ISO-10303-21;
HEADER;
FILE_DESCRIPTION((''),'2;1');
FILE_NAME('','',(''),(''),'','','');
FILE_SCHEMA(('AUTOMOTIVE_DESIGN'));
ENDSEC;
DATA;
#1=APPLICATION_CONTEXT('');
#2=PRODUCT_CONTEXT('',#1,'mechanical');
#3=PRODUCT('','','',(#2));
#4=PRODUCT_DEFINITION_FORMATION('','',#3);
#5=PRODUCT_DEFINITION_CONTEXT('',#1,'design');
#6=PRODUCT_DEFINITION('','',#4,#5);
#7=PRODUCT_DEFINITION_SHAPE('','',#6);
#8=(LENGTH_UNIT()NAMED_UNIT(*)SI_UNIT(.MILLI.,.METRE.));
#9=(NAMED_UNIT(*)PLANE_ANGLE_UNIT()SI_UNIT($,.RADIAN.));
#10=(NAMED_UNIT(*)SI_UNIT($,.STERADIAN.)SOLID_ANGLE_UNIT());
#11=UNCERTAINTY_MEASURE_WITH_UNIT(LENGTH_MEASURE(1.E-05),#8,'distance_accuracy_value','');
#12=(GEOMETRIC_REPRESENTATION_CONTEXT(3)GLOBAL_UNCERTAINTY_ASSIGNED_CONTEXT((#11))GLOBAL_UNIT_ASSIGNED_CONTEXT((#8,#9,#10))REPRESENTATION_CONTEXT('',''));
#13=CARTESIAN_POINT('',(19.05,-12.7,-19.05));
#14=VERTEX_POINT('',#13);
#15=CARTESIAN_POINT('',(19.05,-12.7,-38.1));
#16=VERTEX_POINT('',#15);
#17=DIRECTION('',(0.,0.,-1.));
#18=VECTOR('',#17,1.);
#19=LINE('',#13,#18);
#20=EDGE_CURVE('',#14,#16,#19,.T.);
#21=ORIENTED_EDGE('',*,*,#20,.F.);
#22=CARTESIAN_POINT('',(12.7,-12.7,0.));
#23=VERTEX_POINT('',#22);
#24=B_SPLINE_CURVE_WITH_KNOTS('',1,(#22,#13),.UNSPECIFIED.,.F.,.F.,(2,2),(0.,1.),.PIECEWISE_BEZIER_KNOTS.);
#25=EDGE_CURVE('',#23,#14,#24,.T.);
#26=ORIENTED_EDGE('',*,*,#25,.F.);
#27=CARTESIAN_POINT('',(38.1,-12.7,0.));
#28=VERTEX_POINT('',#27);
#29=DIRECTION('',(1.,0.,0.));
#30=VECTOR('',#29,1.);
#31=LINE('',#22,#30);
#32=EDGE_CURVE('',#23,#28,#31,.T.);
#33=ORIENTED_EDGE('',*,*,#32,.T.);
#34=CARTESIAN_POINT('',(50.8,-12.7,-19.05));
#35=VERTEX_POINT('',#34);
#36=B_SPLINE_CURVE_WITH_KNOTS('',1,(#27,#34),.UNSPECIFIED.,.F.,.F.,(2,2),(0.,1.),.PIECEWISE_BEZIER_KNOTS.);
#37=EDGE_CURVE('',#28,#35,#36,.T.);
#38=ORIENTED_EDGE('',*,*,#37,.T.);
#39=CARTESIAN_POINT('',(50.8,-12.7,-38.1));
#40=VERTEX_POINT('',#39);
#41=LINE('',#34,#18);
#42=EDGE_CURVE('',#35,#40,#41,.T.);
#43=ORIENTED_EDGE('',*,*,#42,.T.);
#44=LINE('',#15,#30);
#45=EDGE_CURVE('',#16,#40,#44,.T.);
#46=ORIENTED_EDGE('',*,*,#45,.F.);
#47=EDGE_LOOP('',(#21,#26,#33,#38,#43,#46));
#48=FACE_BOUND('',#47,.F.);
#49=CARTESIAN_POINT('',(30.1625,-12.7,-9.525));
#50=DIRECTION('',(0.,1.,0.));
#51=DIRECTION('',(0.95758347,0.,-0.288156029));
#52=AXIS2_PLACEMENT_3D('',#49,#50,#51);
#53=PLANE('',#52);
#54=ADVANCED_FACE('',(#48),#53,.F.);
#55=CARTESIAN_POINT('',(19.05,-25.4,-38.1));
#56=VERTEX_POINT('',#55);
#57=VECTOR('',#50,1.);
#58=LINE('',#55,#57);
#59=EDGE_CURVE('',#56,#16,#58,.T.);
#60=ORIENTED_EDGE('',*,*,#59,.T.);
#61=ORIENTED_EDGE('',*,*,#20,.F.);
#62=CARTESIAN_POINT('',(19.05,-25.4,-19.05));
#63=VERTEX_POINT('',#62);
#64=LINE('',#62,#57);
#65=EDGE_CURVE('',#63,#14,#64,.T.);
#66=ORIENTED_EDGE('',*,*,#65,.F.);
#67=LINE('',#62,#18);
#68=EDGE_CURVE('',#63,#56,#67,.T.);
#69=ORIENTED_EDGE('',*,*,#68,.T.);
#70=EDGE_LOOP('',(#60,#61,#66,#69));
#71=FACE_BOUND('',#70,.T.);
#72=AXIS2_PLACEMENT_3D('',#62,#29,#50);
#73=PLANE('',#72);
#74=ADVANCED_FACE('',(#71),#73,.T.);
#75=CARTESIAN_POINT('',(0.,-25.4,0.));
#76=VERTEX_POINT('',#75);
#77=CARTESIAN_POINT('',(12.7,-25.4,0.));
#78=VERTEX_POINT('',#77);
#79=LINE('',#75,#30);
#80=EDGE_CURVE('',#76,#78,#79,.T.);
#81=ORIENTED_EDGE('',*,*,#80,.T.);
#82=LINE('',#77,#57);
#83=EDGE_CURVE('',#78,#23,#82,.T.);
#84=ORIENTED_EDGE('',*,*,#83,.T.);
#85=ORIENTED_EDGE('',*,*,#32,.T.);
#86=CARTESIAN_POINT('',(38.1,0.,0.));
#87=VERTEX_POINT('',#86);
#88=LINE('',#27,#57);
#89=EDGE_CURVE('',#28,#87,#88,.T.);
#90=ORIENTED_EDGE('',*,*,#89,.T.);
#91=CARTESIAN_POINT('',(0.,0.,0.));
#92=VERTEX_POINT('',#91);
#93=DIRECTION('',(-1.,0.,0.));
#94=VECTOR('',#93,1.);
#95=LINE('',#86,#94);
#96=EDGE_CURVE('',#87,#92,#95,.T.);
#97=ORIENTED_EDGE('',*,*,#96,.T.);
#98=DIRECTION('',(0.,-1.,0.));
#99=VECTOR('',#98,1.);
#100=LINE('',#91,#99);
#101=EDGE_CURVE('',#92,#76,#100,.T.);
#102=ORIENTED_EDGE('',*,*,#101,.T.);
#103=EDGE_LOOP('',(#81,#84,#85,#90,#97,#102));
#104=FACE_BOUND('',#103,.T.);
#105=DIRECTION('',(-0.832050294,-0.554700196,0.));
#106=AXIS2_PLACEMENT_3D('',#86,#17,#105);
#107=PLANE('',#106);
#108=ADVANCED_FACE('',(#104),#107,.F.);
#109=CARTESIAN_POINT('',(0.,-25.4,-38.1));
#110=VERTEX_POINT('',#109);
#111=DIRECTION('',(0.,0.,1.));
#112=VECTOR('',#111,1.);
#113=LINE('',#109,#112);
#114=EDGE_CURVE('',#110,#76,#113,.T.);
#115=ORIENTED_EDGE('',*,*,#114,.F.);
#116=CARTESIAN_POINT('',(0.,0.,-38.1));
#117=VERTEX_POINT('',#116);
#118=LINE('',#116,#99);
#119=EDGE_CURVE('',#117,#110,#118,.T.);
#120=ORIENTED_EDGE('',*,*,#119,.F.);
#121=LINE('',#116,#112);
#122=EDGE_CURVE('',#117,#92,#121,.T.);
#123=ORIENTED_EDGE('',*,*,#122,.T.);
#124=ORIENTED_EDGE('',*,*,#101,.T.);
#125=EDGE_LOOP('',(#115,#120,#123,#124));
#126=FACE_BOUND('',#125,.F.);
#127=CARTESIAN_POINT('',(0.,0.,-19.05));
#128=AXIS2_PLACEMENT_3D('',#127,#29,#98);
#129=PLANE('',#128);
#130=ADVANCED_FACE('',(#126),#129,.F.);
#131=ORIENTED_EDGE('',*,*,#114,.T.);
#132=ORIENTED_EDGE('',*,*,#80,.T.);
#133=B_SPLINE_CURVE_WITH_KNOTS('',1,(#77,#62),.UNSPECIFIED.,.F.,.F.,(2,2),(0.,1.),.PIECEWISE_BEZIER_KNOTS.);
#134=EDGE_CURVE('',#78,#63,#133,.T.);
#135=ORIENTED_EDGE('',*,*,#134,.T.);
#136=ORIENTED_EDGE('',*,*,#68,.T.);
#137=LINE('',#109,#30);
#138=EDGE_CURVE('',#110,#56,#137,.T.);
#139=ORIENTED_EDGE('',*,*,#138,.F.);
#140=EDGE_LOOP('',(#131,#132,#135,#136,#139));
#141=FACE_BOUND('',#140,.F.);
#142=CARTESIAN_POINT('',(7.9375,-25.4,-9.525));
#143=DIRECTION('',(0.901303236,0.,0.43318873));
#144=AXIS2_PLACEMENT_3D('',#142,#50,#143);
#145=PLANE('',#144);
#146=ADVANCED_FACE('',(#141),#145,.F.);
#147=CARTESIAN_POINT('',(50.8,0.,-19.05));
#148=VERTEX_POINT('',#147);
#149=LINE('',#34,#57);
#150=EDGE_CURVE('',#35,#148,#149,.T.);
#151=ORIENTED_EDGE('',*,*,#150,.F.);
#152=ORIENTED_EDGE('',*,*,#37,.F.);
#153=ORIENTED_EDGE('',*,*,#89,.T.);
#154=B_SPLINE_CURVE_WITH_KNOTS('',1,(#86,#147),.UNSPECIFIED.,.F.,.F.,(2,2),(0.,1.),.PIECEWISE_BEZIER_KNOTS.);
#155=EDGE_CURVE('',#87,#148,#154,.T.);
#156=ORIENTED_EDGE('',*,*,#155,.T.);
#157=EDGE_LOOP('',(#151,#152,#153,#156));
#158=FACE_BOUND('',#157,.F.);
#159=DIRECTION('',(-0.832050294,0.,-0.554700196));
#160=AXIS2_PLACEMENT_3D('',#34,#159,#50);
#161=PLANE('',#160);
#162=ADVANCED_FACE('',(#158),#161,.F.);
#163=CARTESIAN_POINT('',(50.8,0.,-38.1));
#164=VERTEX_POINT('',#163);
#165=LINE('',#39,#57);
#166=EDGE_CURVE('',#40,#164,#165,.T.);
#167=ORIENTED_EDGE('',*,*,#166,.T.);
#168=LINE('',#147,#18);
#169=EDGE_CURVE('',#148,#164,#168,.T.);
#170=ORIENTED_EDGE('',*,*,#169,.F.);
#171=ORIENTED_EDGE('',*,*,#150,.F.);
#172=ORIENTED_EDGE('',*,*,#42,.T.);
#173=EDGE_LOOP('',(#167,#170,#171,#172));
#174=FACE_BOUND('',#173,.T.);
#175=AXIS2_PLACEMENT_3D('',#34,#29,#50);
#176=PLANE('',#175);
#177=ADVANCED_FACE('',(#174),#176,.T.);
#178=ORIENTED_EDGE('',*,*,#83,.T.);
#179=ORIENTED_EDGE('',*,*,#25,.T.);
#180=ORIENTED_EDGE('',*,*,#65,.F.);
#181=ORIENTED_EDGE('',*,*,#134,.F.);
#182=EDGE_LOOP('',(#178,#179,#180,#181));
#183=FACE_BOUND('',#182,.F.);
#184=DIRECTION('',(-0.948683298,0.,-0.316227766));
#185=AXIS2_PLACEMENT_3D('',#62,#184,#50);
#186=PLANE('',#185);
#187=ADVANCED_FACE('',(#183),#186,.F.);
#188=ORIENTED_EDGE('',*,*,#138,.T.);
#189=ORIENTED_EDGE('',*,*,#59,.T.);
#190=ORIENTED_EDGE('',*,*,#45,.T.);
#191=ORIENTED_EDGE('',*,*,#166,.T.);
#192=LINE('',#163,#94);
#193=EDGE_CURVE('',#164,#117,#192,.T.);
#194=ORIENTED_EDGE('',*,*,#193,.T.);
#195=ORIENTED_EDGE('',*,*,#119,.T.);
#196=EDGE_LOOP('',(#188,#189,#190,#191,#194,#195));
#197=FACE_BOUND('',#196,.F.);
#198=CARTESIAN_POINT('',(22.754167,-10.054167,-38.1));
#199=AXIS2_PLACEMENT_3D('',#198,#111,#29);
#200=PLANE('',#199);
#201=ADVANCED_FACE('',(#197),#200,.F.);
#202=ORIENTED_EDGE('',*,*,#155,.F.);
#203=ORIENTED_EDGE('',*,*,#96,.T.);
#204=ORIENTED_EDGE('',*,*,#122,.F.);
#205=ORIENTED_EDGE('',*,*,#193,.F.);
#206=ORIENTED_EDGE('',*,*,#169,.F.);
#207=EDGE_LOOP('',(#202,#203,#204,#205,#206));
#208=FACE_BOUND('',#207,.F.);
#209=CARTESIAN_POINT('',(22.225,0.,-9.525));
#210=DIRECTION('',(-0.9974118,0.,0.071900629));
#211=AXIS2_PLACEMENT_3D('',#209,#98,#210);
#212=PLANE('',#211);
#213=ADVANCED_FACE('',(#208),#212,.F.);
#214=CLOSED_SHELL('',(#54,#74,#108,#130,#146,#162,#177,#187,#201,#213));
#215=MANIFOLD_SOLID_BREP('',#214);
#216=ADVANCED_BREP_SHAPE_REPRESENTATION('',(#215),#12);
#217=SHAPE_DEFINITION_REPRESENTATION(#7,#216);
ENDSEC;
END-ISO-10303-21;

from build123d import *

# Parameters (mm, degrees)
F4_DEPTH = 19.05


with BuildPart() as f4:
    # F3 (on offset) → F4 (new body)
    with BuildSketch(Plane.XY.offset(-19.05)):
        Polygon((50.8, 0), (0, 0), (0, -25.4), (19.05, -25.4), (19.05, -12.7), (50.8, -12.7), align=None)
    extrude(amount=-F4_DEPTH)

    # F0 (on Top) → F5 section 0
    with BuildSketch(Plane.XY):
        Polygon((38.1, 0), (0, 0), (0, -25.4), (12.7, -25.4), (12.7, -12.7), (38.1, -12.7), align=None)
    # F4_face (on face) → F5 section 1
    with BuildSketch(Plane(origin=(21.070455, -9.813636, -19.05), x_dir=(1, 0, 0), z_dir=(0, 0, 1))):
        Polygon((29.729545, 9.813636), (-21.070455, 9.813636), (-21.070455, -15.586364), (-2.020455, -15.586364), (-2.020455, -2.886364), (29.729545, -2.886364), align=None)
    loft()


solid = f4.part
